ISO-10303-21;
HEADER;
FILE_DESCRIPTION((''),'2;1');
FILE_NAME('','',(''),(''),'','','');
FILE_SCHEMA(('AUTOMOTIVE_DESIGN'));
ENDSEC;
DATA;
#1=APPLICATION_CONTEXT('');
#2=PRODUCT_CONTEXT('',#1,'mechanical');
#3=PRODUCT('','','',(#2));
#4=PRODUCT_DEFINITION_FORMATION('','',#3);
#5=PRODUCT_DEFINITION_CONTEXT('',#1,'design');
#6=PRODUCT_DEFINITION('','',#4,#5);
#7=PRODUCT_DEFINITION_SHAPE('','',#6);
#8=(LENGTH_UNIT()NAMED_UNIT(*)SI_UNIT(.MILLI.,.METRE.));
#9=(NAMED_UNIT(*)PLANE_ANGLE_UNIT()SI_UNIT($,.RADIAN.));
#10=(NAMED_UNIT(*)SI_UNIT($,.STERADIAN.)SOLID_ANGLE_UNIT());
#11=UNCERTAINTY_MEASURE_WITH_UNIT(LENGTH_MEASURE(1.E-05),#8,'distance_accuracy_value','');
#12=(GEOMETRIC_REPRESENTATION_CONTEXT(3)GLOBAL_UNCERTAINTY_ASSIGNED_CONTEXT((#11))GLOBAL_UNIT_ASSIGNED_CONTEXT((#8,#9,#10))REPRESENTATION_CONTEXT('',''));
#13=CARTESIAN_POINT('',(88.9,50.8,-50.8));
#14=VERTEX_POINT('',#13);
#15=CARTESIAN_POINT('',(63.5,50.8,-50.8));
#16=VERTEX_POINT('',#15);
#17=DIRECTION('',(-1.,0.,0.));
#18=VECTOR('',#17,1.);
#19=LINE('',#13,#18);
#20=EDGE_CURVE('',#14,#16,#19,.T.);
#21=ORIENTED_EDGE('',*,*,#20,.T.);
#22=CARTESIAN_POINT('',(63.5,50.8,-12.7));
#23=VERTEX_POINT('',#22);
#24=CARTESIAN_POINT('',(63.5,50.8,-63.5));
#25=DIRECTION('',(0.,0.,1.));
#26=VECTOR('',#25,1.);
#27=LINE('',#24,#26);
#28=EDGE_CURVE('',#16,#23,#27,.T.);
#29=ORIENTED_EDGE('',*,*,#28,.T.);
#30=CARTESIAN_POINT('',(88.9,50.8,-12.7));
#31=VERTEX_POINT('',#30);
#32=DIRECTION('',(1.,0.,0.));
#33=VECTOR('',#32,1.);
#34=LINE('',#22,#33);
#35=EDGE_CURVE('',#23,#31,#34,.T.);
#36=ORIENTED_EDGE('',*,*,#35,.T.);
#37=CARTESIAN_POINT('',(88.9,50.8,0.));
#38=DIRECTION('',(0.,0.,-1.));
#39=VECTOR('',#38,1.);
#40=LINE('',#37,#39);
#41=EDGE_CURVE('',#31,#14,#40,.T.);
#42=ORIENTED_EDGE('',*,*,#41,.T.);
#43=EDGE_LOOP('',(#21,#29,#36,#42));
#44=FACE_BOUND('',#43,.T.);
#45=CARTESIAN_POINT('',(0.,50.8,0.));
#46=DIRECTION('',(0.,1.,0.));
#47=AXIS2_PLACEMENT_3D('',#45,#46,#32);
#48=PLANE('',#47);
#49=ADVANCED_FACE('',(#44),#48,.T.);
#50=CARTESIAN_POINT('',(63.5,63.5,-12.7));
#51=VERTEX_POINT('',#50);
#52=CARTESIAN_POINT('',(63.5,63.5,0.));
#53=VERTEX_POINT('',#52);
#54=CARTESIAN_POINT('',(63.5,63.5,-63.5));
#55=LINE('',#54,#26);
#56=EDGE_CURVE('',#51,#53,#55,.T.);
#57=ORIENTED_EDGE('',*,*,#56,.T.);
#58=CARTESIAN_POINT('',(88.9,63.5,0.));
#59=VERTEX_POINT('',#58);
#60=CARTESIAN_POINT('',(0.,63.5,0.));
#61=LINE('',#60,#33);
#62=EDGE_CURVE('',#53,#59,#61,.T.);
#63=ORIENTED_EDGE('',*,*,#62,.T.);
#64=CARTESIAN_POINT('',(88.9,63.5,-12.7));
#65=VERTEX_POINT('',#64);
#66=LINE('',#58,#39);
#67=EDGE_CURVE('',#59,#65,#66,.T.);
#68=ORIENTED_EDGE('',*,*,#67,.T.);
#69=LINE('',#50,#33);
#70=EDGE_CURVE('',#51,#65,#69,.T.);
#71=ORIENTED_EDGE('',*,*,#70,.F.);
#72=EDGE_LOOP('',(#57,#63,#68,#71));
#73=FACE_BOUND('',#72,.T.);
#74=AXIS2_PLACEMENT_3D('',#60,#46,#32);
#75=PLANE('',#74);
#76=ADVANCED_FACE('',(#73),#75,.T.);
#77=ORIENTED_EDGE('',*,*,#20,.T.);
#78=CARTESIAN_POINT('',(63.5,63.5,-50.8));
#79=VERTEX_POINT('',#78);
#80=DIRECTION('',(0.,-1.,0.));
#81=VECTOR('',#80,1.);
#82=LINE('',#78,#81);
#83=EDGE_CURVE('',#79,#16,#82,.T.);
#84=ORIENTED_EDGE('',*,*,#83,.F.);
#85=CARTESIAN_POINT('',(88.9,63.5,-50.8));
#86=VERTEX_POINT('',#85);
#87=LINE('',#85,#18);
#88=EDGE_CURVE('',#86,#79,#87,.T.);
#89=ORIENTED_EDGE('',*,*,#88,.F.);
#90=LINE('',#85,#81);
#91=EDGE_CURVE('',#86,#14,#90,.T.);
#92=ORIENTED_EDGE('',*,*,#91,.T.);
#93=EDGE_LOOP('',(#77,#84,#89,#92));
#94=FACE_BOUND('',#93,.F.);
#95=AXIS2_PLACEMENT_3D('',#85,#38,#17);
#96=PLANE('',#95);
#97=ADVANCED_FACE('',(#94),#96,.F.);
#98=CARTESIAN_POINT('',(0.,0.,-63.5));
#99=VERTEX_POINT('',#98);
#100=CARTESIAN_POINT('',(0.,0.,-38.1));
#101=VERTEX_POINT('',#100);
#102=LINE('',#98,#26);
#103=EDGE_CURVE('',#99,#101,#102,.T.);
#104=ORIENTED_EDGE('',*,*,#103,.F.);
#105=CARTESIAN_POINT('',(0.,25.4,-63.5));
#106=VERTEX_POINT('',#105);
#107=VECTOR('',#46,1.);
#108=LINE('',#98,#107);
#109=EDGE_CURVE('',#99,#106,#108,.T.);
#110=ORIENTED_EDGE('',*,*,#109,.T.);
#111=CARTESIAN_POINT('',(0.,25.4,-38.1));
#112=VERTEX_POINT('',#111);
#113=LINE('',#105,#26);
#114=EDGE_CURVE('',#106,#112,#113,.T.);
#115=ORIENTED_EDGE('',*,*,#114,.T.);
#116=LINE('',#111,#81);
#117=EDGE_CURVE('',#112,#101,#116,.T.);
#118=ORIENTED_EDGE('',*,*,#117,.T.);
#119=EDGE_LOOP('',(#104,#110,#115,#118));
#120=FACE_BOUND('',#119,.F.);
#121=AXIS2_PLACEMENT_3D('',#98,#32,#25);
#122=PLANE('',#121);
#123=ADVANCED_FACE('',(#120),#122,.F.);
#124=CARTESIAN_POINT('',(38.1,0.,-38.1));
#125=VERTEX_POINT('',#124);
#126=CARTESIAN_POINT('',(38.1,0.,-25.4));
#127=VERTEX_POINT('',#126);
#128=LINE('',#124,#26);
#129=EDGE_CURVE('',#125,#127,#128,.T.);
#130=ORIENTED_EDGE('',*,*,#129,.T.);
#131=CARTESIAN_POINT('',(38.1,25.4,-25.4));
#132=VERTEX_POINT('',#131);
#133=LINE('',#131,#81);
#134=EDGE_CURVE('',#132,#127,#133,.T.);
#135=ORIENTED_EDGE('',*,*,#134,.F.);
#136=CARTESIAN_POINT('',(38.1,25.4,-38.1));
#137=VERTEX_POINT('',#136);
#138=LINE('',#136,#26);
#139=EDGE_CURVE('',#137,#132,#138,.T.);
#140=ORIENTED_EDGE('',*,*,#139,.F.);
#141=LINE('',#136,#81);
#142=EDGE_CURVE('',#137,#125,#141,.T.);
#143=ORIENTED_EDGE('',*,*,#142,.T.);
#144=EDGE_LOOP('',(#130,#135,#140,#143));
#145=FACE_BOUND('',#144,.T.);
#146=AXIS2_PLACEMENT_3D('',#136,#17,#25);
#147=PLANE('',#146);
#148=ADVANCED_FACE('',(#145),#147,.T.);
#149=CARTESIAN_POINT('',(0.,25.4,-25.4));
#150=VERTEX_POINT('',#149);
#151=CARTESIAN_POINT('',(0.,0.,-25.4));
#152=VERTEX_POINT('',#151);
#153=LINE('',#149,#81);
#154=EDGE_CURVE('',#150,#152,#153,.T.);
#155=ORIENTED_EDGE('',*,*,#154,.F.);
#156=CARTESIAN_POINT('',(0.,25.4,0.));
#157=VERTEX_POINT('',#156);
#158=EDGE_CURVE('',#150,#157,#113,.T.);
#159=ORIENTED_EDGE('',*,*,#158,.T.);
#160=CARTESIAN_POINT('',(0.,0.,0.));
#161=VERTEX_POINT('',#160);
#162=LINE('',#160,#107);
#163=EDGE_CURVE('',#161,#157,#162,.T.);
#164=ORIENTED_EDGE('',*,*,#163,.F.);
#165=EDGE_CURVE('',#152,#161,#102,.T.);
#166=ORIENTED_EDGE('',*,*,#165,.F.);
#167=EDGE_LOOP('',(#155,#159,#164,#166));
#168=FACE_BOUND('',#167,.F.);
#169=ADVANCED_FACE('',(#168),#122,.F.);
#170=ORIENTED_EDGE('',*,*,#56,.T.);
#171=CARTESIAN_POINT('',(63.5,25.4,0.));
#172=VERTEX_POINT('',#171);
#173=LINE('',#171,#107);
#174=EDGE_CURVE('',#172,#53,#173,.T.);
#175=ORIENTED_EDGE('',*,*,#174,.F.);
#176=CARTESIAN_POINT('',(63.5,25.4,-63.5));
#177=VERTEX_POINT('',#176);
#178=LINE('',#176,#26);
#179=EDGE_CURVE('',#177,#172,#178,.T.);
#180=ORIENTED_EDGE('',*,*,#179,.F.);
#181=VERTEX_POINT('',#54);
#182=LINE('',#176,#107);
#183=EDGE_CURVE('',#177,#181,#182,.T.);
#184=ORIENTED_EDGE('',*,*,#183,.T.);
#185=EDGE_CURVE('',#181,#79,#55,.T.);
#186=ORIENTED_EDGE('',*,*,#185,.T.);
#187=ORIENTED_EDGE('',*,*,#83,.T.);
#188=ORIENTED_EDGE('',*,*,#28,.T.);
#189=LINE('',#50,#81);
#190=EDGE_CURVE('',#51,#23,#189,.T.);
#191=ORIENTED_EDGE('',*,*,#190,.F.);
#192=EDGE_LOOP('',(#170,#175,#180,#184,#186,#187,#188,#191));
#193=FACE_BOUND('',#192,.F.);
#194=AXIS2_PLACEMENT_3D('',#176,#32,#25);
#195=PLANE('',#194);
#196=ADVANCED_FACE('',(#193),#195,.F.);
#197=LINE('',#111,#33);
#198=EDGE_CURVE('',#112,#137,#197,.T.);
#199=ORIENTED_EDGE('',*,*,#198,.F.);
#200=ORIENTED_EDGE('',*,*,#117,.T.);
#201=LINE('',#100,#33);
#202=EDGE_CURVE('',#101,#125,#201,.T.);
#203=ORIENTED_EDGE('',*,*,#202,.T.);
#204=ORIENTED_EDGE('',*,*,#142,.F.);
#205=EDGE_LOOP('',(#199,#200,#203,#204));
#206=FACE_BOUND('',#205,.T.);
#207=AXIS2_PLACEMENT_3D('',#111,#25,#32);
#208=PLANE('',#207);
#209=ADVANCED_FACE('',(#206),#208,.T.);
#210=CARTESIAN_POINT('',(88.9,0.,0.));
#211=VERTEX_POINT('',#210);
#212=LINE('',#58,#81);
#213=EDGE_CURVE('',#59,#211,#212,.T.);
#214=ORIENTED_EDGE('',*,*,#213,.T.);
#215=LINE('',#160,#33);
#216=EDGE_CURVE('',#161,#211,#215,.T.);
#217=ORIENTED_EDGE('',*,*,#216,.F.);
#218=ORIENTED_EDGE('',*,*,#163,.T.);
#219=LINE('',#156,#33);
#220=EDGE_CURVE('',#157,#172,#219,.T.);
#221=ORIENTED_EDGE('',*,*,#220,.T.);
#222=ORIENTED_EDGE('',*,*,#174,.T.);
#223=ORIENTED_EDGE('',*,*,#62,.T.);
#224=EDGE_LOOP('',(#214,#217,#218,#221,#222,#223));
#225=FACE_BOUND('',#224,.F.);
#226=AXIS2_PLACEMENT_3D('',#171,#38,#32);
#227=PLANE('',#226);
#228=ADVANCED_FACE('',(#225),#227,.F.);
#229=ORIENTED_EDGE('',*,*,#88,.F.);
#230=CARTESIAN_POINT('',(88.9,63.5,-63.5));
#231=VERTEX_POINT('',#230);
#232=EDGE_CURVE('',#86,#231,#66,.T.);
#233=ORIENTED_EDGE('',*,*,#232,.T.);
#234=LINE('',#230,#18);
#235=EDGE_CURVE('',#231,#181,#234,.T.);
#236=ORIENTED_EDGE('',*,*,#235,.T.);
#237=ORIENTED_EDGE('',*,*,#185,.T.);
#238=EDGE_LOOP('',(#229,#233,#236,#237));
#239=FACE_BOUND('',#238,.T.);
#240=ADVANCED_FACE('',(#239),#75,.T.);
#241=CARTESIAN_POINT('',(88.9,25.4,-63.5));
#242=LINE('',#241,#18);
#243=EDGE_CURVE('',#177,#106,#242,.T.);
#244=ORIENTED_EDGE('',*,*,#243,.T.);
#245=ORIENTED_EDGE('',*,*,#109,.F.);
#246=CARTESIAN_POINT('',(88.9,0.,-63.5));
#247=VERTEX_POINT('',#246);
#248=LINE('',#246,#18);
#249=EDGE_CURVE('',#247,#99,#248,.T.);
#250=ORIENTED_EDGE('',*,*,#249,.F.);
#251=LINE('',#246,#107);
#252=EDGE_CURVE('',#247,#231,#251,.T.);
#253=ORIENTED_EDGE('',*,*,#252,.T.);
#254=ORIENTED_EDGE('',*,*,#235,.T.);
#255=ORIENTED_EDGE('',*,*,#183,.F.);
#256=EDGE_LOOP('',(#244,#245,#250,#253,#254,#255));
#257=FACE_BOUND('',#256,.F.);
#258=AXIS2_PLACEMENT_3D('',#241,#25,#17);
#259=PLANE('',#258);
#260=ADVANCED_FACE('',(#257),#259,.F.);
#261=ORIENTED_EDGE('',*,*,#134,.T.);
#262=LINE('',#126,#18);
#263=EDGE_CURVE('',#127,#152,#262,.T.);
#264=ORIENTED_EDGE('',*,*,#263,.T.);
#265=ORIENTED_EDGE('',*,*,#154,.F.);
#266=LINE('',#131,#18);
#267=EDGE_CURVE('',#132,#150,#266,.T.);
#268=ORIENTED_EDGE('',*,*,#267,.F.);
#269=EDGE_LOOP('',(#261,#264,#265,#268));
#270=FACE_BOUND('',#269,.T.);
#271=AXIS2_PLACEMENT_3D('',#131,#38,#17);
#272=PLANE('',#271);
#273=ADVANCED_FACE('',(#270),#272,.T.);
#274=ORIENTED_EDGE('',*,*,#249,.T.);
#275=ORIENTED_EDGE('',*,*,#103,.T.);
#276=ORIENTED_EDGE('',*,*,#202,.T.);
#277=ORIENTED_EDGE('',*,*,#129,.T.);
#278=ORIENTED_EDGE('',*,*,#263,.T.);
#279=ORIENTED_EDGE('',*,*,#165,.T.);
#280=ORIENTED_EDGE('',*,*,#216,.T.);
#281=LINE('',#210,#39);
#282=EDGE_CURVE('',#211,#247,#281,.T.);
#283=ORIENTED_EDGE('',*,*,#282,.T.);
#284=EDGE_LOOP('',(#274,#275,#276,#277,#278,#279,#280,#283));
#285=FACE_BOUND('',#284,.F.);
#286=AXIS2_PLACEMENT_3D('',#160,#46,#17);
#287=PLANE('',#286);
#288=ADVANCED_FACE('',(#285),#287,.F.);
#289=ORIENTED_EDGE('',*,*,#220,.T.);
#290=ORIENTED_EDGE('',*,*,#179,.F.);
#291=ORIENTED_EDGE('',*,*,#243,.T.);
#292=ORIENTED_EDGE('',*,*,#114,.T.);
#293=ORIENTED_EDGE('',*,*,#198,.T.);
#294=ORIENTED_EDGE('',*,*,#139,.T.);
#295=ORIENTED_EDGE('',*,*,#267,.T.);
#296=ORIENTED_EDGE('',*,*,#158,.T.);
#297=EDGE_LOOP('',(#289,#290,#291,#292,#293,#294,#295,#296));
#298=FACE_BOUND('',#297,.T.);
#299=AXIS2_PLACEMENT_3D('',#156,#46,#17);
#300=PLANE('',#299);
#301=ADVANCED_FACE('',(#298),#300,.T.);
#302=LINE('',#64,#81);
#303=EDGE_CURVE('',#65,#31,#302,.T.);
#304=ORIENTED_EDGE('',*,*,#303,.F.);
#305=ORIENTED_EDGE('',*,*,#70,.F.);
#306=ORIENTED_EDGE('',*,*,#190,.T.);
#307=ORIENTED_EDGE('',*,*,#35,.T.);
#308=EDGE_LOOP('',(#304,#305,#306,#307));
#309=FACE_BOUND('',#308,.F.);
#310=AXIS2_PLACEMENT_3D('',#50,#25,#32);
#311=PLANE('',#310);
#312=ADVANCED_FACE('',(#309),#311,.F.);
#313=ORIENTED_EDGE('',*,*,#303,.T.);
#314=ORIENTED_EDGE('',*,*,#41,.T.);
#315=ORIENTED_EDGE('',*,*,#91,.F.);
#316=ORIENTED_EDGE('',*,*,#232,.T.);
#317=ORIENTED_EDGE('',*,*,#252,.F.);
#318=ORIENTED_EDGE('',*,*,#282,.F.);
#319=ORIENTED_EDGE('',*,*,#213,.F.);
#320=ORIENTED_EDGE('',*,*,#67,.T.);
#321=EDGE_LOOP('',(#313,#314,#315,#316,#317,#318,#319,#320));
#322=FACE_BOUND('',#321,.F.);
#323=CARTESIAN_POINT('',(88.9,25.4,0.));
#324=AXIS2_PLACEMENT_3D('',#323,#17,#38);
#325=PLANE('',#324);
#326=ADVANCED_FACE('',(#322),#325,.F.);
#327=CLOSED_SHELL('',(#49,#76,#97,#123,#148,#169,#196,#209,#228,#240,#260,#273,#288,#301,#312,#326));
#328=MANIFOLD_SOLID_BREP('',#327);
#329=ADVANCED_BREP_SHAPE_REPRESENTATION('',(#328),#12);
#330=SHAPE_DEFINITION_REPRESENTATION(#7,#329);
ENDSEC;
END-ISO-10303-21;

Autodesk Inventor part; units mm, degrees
ref_plane "YZ Plane" through (0, 0, 0) normal (1, 0, 0) x (0, 1, 0)
ref_plane "XZ Plane" through (0, 0, 0) normal (0, 1, 0) x (-1, 0, 0)
ref_plane "XY Plane" through (0, 0, 0) normal (0, 0, 1) x (1, 0, 0)
sketch "Sketch1" plane through (0, 0, 0) normal (0, 1, 0) x (-1, 0, 0)
  line L0 (0, 0) -> (-88.9, 0)
  line L1 (-88.9, 0) -> (-88.9, -63.5)
  line L2 (-88.9, -63.5) -> (0, -63.5)
  line L3 (0, -63.5) -> (0, 0)
  dimension "d0" = 88.9
  dimension "d1" = 63.5
extrude "Extrusion1" add sketch "Sketch1" along normal blind 25.4
sketch "Sketch2" plane through (0, 25.4, 0) normal (0, 1, 0) x (1, 0, 0)
  line L0 (88.9, 63.5) -> (0, 63.5) projected
  line L1 (0, 63.5) -> (0, 38.1)
  line L2 (0, 63.5) -> (0, 0) projected
  line L3 (0, 38.1) -> (38.1, 38.1)
  line L4 (38.1, 38.1) -> (38.1, 25.4)
  line L5 (38.1, 25.4) -> (0, 25.4)
  line L6 (0, 25.4) -> (0, 38.1)
  dimension "d4" = 25.4
  dimension "d5" = 38.1
  dimension "d6" = 12.7
extrude "Extrusion2" cut sketch "Sketch2" against normal blind 25.4
sketch "Sketch3" plane through (0, 25.4, 0) normal (0, 1, 0) x (1, 0, 0)
  line L0 (88.9, 63.5) -> (0, 63.5) projected
  line L1 (0, 0) -> (88.9, 0) projected
  line L2 (88.9, 63.5) -> (63.5, 63.5)
  line L3 (63.5, 63.5) -> (63.5, 0)
  line L4 (63.5, 0) -> (88.9, 0)
  line L5 (88.9, 0) -> (88.9, 63.5)
  dimension "d9" = 25.4
extrude "Extrusion3" add sketch "Sketch3" along normal blind 38.1
sketch "Sketch4" plane through (0, 63.5, 0) normal (0, 1, 0) x (1, 0, 0)
  line L0 (88.9, 63.5) -> (0, 63.5) projected
  line L1 (88.9, 63.5) -> (88.9, 50.8)
  line L2 (88.9, 0) -> (88.9, 63.5) projected
  line L3 (63.5, 63.5) -> (63.5, 0) projected
  line L4 (88.9, 50.8) -> (63.5, 50.8)
  line L5 (63.5, 50.8) -> (63.5, 12.7)
  line L6 (63.5, 12.7) -> (88.9, 12.7)
  line L7 (88.9, 12.7) -> (88.9, 50.8)
  point P0 (0, 0)
  dimension "d12" = 12.7
  dimension "d13" = 38.1
extrude "Extrusion4" cut sketch "Sketch4" against normal blind 12.7 contours L2 L6 L3 L4
